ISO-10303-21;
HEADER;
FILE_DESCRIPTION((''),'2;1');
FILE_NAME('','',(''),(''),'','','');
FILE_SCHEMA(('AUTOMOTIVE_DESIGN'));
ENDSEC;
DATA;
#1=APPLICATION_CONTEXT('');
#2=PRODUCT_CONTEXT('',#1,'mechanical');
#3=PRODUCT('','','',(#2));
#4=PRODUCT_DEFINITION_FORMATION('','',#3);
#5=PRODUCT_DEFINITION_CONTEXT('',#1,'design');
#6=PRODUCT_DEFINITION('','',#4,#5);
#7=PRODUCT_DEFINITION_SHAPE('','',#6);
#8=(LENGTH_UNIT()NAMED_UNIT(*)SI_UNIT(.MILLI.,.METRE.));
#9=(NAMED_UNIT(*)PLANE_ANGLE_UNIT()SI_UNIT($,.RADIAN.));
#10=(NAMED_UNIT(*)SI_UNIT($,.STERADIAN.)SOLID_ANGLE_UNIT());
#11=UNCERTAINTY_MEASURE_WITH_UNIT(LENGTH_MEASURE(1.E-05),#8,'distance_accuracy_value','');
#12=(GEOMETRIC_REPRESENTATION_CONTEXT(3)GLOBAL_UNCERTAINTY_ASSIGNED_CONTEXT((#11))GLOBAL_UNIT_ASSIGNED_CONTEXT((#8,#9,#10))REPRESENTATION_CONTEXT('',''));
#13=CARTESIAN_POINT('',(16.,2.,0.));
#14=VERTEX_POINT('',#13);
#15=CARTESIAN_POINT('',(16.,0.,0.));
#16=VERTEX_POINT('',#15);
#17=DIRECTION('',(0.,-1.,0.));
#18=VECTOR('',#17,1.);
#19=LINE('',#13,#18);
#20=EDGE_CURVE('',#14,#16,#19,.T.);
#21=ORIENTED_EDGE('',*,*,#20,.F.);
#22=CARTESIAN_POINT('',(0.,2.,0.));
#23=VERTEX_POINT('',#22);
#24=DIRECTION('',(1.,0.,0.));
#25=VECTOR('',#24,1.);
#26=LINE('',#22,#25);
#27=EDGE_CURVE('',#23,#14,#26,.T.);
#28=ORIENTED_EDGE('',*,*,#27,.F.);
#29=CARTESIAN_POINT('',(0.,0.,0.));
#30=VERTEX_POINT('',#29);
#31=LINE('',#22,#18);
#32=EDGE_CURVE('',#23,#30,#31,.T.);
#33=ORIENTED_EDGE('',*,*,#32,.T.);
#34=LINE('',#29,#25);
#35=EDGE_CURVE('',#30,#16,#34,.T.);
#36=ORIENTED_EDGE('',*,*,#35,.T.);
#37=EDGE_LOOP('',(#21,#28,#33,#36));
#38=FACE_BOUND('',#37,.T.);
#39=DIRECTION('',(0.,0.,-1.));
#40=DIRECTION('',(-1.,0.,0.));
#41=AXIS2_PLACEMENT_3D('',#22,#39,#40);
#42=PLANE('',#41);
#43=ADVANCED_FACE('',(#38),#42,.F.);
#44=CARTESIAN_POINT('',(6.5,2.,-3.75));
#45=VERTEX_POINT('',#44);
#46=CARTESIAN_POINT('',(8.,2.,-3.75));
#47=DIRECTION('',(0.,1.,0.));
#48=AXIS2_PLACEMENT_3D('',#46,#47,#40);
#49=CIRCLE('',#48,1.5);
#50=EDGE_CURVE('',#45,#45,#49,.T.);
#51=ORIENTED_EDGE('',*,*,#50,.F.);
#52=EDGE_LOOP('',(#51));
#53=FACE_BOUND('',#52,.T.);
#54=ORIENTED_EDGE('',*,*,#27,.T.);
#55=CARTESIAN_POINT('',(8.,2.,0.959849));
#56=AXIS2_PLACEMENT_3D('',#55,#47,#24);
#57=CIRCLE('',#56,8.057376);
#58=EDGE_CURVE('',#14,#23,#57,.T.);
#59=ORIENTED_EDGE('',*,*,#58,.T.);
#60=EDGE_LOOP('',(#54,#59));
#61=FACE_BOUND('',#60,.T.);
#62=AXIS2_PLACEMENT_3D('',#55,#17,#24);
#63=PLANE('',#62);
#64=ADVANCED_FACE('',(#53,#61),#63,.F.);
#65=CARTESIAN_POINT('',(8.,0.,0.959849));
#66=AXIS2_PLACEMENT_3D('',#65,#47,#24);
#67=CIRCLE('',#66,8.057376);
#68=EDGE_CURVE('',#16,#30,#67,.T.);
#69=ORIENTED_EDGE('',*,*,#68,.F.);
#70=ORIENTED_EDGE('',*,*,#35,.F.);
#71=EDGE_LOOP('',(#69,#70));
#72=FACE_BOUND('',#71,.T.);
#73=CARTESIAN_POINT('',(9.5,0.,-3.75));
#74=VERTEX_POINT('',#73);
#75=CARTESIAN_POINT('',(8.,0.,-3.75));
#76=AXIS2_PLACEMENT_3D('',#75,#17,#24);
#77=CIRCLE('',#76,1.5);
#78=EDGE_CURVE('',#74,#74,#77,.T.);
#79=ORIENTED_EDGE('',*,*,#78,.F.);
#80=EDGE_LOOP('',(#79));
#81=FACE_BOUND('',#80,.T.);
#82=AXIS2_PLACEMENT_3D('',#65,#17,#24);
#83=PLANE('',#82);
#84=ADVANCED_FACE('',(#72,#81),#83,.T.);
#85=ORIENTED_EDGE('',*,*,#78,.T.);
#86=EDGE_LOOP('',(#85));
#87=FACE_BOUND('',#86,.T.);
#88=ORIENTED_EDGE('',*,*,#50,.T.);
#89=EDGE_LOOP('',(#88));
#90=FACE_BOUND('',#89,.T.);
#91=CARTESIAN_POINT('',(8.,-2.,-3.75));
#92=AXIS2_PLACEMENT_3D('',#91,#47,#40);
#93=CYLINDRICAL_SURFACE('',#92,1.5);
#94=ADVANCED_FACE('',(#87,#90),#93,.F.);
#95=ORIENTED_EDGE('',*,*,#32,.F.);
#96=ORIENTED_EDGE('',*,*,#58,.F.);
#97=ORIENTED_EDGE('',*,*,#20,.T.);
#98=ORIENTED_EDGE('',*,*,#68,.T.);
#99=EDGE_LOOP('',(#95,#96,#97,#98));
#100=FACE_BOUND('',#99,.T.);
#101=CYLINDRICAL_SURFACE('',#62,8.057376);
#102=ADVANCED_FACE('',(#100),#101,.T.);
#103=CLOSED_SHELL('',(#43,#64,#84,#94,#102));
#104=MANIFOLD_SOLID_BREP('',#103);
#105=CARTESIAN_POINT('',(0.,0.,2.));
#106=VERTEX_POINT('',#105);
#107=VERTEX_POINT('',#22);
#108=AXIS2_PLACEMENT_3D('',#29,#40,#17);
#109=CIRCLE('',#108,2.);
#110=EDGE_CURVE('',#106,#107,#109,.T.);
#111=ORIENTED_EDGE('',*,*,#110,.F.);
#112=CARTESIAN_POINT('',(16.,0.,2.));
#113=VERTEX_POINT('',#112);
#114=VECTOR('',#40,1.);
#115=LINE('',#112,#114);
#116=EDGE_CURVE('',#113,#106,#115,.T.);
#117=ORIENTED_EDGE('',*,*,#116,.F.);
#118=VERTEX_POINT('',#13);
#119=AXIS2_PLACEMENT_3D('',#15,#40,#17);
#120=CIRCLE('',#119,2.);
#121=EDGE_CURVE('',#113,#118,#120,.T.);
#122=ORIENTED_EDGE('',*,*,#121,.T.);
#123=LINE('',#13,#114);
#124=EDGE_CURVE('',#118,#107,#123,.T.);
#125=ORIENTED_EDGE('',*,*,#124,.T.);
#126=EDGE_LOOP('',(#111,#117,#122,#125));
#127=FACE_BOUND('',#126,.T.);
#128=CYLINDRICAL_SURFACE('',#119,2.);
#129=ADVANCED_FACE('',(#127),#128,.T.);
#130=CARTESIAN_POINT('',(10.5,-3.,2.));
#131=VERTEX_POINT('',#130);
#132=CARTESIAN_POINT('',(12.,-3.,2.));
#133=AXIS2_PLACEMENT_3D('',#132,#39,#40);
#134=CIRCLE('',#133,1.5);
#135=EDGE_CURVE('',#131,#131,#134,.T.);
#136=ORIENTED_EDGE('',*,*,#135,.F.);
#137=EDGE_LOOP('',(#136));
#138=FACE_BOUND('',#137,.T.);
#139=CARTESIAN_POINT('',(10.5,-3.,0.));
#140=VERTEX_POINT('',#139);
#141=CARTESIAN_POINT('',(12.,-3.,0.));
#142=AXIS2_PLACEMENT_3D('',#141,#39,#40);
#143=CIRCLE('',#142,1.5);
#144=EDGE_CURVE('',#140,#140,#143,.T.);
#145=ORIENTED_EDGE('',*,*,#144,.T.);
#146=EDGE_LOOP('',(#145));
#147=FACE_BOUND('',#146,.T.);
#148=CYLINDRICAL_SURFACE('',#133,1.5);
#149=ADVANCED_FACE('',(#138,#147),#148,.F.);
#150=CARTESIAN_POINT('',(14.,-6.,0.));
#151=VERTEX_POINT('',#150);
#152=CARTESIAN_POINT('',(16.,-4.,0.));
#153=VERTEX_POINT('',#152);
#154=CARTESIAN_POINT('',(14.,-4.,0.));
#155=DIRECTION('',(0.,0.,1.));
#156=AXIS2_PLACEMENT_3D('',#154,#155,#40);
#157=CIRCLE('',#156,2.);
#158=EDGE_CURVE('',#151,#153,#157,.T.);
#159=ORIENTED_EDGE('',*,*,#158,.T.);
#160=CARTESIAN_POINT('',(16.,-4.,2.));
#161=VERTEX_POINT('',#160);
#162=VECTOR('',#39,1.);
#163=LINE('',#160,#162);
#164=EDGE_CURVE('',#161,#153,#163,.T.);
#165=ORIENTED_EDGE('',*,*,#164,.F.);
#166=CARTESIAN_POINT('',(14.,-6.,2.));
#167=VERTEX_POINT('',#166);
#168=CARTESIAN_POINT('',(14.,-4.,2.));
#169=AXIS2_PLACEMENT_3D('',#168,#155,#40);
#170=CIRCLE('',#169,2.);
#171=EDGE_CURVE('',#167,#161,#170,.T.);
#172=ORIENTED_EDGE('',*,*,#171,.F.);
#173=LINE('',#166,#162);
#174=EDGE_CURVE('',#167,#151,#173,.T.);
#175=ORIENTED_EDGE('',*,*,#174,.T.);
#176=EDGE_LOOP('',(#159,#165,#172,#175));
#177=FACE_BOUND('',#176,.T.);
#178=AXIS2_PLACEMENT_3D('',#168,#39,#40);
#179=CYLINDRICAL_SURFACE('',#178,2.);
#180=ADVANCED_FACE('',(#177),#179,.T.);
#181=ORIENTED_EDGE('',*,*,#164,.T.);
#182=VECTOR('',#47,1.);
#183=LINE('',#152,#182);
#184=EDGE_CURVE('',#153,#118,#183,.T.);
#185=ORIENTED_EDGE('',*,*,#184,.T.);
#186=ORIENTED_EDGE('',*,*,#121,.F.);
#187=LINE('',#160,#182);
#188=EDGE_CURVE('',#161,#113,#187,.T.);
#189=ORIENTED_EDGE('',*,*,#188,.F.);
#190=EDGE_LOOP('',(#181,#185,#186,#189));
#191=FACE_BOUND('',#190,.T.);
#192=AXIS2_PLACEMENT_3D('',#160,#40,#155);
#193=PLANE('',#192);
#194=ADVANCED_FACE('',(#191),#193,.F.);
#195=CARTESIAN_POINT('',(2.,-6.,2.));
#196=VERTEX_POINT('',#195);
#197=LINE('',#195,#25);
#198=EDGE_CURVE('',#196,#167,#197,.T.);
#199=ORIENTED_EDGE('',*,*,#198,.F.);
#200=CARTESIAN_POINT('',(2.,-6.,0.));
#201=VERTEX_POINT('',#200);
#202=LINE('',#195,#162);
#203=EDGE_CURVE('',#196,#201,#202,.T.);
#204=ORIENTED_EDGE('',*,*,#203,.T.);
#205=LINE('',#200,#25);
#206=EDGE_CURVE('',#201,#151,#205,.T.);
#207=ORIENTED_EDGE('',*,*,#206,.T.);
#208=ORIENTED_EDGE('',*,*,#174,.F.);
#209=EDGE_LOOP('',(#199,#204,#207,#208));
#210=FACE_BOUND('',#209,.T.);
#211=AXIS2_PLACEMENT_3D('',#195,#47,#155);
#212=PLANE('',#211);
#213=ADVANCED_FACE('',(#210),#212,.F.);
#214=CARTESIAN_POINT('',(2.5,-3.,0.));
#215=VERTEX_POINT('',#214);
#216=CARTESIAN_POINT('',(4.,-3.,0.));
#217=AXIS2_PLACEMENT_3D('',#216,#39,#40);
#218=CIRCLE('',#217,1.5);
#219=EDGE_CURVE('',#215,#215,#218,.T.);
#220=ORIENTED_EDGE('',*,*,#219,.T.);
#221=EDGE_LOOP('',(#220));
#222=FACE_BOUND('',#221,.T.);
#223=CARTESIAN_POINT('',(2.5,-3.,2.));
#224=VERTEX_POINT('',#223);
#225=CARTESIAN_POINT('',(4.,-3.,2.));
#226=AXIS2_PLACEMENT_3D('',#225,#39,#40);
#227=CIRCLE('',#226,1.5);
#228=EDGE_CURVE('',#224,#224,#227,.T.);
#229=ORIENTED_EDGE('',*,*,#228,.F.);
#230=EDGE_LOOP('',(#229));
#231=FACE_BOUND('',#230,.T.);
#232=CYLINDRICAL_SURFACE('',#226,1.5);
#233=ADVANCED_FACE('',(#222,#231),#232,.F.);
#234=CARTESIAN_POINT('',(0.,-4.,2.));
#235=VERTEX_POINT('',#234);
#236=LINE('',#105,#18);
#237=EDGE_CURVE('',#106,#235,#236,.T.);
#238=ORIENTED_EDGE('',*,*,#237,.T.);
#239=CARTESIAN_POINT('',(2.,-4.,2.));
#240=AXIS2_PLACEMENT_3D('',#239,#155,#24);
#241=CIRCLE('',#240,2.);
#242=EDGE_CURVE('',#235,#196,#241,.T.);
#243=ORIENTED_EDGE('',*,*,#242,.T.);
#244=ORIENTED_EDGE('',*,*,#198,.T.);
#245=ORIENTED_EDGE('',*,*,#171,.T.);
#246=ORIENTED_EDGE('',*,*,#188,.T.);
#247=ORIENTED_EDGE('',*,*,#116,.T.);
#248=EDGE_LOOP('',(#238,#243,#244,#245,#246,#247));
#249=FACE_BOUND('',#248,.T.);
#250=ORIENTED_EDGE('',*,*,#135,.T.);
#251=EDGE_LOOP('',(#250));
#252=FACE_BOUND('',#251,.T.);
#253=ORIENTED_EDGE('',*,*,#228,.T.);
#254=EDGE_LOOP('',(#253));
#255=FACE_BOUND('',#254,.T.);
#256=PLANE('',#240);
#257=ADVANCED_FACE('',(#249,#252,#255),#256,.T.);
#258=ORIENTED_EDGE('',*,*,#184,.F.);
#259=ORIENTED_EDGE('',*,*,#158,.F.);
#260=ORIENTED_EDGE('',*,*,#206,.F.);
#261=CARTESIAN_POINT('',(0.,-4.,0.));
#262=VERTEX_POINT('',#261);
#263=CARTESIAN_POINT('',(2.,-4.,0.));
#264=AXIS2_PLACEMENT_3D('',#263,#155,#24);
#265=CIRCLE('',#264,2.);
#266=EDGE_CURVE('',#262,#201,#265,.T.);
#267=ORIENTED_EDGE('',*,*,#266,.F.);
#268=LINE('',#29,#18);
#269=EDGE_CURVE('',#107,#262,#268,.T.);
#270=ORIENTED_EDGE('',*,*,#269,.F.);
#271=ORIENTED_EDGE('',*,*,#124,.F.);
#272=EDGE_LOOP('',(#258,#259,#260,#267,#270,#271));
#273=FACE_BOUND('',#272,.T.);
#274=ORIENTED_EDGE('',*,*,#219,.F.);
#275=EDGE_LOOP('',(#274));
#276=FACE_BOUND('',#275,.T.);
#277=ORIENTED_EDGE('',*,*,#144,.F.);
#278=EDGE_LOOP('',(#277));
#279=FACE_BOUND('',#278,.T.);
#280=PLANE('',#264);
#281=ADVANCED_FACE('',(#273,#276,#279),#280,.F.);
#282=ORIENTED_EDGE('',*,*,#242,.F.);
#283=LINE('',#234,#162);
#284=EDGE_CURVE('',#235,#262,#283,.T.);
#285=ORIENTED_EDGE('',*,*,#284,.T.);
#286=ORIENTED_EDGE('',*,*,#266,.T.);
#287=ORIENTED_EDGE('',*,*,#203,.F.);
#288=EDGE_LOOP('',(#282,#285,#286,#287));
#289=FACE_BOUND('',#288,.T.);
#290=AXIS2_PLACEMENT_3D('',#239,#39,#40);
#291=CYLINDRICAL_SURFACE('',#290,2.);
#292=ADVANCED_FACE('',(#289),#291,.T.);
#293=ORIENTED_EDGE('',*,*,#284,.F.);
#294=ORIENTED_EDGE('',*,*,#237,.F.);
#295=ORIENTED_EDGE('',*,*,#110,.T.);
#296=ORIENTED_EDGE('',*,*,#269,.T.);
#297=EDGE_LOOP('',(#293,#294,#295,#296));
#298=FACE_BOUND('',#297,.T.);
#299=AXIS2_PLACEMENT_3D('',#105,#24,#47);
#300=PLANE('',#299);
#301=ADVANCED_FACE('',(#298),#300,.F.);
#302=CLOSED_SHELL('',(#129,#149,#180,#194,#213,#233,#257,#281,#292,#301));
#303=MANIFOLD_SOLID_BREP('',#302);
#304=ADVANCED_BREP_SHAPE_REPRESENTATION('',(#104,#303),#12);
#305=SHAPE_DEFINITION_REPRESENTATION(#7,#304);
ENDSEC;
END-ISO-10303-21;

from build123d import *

# Parameters (mm, degrees)
BOSS_EXTRUDE1_DEPTH = 2
BOSS_EXTRUDE2_DEPTH = 2
BOSS_EXTRUDE3_DEPTH = 16
SKETCH10_R          = 1.5
CUT_EXTRUDE1_DEPTH  = 19.503375178
SKETCH13_R          = 1.5
CUT_EXTRUDE2_DEPTH  = 4


with BuildPart() as part:
    # Sketch1 → Boss-Extrude1 (new body)
    with BuildSketch(Plane.XY):
        with BuildLine():
            Line((0, 0), (0, -4))
            ThreePointArc((0, -4), (0.585786438, -5.414213562), (2, -6))
            Line((2, -6), (14, -6))
            ThreePointArc((14, -6), (15.414213562, -5.414213562), (16, -4))
            Line((16, -4), (16, 0))
            Line((16, 0), (0, 0))
        make_face()
    extrude(amount=BOSS_EXTRUDE1_DEPTH)

    # Sketch9 → Boss-Extrude3 (add)
    with BuildSketch(Plane.ZY):
        with BuildLine():
            Line((0, 2), (0, 0))
            Line((0, 0), (2, 0))
            ThreePointArc((2, 0), (1.414213562, 1.414213562), (0, 2))
        make_face()
    extrude(amount=-BOSS_EXTRUDE3_DEPTH)

    # Sketch10 → Cut-Extrude1 (cut, through all)
    with BuildSketch(Plane(origin=(0, 0, 0), x_dir=(-1, 0, 0), z_dir=(0, 0, -1))):
        with Locations((-12, -3)):
            Circle(SKETCH10_R)
        with Locations((-4, -3)):
            Circle(SKETCH10_R)
    extrude(amount=-CUT_EXTRUDE1_DEPTH, mode=Mode.SUBTRACT)


with BuildPart() as body_2:
    # Sketch5 → Boss-Extrude2 (new body)
    with BuildSketch(Plane(origin=(0, 0, 0), x_dir=(1, 0, 0), z_dir=(0, 1, 0))):
        with BuildLine():
            Line((0, 0), (16, 0))
            ThreePointArc((16, 0), (8, 7.097527245), (0, 0))
        make_face()
    extrude(amount=BOSS_EXTRUDE2_DEPTH)

    # Sketch13 → Cut-Extrude2 (cut)
    with BuildSketch(Plane(origin=(0, 2, 0), x_dir=(1, 0, 0), z_dir=(0, 1, 0))):
        with Locations(Location((8, 3.75, 0), (0, 0, 180))):
            Circle(SKETCH13_R)
    extrude(amount=-CUT_EXTRUDE2_DEPTH, mode=Mode.SUBTRACT)


solid = Compound([part.part, body_2.part])
